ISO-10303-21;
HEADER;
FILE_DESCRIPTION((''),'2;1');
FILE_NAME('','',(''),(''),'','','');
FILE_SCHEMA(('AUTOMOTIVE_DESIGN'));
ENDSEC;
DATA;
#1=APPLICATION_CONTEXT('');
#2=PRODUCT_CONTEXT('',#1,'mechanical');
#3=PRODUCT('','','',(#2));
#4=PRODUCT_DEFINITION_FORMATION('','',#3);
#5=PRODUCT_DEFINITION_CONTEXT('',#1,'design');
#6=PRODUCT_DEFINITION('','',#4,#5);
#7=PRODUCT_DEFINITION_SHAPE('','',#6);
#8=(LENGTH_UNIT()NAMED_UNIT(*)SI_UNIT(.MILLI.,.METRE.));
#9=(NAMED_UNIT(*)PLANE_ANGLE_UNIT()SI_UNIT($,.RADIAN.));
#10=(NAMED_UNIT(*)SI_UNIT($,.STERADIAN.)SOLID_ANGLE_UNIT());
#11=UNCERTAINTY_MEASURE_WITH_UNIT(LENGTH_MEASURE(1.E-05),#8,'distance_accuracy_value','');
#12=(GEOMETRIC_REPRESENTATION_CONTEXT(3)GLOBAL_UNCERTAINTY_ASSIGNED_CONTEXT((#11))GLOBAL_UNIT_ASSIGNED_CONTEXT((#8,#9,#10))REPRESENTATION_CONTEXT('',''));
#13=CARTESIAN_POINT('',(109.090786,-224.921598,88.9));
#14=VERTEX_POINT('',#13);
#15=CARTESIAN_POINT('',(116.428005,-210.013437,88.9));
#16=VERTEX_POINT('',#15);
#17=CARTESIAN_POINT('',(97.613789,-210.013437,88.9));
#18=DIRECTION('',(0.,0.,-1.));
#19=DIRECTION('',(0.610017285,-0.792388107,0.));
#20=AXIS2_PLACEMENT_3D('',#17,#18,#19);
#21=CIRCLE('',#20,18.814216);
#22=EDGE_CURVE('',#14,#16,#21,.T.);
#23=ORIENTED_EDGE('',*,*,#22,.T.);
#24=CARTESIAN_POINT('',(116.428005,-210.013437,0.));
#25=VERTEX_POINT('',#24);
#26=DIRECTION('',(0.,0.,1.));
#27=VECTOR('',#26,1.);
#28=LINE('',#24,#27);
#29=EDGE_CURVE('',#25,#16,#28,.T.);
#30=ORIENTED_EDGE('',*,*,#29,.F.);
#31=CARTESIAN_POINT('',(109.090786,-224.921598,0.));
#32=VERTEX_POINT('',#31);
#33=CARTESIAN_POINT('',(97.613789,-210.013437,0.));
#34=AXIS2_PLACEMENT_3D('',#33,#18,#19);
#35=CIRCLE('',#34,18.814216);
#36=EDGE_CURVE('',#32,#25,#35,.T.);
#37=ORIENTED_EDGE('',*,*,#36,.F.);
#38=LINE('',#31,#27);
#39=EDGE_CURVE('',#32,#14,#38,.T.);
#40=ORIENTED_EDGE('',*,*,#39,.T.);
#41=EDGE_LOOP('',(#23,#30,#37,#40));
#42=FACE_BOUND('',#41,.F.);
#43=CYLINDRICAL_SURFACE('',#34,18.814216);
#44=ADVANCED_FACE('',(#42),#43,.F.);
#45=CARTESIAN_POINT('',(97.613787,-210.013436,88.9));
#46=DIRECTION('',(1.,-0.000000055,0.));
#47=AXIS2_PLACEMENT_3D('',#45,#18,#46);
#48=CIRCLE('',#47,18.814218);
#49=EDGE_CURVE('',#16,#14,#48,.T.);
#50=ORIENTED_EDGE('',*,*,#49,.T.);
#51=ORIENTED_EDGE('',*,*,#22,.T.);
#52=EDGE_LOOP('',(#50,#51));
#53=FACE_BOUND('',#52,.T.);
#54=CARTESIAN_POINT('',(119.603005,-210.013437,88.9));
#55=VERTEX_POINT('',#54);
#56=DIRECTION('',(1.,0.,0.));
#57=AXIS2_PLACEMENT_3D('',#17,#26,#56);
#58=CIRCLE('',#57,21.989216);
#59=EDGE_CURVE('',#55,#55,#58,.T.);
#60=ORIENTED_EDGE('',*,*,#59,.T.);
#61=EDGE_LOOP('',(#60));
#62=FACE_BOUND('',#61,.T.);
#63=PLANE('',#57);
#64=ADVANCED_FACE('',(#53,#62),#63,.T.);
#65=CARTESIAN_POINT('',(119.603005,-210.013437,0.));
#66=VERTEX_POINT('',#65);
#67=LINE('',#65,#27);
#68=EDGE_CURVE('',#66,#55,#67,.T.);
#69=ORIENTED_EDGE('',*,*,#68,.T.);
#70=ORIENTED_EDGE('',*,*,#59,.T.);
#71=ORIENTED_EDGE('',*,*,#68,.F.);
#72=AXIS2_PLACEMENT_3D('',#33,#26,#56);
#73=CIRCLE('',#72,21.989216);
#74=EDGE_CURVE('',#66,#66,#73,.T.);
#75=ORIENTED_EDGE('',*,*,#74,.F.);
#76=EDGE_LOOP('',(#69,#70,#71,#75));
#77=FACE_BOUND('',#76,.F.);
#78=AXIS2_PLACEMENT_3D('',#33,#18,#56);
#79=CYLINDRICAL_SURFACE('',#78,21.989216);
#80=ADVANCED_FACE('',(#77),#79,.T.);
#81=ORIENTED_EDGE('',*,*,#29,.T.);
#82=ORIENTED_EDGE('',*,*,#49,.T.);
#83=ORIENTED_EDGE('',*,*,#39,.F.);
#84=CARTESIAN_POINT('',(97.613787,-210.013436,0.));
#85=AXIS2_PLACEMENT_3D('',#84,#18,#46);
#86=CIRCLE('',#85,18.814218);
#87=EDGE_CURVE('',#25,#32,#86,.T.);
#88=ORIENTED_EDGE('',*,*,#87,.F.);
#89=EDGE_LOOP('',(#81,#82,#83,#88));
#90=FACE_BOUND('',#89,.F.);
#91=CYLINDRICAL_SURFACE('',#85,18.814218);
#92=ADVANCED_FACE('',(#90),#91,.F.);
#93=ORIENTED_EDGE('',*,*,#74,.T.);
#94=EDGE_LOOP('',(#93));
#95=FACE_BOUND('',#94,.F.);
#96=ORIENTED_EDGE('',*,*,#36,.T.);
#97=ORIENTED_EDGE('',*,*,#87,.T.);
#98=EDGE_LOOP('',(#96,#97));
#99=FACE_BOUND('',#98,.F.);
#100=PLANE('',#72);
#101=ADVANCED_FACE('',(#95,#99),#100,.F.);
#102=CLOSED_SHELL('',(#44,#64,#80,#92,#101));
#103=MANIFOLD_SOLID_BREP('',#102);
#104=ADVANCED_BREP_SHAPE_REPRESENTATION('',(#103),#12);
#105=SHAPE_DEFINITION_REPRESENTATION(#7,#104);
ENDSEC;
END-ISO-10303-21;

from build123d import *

# Parameters (mm, degrees)
F0_R     = 21.989216
F1_DEPTH = 88.9


with BuildPart() as f1:
    # F0 (on Top) → F1 (new body)
    with BuildSketch(Plane.XY):
        with Locations((97.613789, -210.013437)):
            Circle(F0_R)
        with BuildLine():
            ThreePointArc((109.090786, -224.921598), (80.733247, -201.705488), (116.428005, -210.013437))
            ThreePointArc((116.428005, -210.013437), (114.494331, -218.321386), (109.090786, -224.921598))
        make_face(mode=Mode.SUBTRACT)
    extrude(amount=F1_DEPTH)


solid = f1.part
